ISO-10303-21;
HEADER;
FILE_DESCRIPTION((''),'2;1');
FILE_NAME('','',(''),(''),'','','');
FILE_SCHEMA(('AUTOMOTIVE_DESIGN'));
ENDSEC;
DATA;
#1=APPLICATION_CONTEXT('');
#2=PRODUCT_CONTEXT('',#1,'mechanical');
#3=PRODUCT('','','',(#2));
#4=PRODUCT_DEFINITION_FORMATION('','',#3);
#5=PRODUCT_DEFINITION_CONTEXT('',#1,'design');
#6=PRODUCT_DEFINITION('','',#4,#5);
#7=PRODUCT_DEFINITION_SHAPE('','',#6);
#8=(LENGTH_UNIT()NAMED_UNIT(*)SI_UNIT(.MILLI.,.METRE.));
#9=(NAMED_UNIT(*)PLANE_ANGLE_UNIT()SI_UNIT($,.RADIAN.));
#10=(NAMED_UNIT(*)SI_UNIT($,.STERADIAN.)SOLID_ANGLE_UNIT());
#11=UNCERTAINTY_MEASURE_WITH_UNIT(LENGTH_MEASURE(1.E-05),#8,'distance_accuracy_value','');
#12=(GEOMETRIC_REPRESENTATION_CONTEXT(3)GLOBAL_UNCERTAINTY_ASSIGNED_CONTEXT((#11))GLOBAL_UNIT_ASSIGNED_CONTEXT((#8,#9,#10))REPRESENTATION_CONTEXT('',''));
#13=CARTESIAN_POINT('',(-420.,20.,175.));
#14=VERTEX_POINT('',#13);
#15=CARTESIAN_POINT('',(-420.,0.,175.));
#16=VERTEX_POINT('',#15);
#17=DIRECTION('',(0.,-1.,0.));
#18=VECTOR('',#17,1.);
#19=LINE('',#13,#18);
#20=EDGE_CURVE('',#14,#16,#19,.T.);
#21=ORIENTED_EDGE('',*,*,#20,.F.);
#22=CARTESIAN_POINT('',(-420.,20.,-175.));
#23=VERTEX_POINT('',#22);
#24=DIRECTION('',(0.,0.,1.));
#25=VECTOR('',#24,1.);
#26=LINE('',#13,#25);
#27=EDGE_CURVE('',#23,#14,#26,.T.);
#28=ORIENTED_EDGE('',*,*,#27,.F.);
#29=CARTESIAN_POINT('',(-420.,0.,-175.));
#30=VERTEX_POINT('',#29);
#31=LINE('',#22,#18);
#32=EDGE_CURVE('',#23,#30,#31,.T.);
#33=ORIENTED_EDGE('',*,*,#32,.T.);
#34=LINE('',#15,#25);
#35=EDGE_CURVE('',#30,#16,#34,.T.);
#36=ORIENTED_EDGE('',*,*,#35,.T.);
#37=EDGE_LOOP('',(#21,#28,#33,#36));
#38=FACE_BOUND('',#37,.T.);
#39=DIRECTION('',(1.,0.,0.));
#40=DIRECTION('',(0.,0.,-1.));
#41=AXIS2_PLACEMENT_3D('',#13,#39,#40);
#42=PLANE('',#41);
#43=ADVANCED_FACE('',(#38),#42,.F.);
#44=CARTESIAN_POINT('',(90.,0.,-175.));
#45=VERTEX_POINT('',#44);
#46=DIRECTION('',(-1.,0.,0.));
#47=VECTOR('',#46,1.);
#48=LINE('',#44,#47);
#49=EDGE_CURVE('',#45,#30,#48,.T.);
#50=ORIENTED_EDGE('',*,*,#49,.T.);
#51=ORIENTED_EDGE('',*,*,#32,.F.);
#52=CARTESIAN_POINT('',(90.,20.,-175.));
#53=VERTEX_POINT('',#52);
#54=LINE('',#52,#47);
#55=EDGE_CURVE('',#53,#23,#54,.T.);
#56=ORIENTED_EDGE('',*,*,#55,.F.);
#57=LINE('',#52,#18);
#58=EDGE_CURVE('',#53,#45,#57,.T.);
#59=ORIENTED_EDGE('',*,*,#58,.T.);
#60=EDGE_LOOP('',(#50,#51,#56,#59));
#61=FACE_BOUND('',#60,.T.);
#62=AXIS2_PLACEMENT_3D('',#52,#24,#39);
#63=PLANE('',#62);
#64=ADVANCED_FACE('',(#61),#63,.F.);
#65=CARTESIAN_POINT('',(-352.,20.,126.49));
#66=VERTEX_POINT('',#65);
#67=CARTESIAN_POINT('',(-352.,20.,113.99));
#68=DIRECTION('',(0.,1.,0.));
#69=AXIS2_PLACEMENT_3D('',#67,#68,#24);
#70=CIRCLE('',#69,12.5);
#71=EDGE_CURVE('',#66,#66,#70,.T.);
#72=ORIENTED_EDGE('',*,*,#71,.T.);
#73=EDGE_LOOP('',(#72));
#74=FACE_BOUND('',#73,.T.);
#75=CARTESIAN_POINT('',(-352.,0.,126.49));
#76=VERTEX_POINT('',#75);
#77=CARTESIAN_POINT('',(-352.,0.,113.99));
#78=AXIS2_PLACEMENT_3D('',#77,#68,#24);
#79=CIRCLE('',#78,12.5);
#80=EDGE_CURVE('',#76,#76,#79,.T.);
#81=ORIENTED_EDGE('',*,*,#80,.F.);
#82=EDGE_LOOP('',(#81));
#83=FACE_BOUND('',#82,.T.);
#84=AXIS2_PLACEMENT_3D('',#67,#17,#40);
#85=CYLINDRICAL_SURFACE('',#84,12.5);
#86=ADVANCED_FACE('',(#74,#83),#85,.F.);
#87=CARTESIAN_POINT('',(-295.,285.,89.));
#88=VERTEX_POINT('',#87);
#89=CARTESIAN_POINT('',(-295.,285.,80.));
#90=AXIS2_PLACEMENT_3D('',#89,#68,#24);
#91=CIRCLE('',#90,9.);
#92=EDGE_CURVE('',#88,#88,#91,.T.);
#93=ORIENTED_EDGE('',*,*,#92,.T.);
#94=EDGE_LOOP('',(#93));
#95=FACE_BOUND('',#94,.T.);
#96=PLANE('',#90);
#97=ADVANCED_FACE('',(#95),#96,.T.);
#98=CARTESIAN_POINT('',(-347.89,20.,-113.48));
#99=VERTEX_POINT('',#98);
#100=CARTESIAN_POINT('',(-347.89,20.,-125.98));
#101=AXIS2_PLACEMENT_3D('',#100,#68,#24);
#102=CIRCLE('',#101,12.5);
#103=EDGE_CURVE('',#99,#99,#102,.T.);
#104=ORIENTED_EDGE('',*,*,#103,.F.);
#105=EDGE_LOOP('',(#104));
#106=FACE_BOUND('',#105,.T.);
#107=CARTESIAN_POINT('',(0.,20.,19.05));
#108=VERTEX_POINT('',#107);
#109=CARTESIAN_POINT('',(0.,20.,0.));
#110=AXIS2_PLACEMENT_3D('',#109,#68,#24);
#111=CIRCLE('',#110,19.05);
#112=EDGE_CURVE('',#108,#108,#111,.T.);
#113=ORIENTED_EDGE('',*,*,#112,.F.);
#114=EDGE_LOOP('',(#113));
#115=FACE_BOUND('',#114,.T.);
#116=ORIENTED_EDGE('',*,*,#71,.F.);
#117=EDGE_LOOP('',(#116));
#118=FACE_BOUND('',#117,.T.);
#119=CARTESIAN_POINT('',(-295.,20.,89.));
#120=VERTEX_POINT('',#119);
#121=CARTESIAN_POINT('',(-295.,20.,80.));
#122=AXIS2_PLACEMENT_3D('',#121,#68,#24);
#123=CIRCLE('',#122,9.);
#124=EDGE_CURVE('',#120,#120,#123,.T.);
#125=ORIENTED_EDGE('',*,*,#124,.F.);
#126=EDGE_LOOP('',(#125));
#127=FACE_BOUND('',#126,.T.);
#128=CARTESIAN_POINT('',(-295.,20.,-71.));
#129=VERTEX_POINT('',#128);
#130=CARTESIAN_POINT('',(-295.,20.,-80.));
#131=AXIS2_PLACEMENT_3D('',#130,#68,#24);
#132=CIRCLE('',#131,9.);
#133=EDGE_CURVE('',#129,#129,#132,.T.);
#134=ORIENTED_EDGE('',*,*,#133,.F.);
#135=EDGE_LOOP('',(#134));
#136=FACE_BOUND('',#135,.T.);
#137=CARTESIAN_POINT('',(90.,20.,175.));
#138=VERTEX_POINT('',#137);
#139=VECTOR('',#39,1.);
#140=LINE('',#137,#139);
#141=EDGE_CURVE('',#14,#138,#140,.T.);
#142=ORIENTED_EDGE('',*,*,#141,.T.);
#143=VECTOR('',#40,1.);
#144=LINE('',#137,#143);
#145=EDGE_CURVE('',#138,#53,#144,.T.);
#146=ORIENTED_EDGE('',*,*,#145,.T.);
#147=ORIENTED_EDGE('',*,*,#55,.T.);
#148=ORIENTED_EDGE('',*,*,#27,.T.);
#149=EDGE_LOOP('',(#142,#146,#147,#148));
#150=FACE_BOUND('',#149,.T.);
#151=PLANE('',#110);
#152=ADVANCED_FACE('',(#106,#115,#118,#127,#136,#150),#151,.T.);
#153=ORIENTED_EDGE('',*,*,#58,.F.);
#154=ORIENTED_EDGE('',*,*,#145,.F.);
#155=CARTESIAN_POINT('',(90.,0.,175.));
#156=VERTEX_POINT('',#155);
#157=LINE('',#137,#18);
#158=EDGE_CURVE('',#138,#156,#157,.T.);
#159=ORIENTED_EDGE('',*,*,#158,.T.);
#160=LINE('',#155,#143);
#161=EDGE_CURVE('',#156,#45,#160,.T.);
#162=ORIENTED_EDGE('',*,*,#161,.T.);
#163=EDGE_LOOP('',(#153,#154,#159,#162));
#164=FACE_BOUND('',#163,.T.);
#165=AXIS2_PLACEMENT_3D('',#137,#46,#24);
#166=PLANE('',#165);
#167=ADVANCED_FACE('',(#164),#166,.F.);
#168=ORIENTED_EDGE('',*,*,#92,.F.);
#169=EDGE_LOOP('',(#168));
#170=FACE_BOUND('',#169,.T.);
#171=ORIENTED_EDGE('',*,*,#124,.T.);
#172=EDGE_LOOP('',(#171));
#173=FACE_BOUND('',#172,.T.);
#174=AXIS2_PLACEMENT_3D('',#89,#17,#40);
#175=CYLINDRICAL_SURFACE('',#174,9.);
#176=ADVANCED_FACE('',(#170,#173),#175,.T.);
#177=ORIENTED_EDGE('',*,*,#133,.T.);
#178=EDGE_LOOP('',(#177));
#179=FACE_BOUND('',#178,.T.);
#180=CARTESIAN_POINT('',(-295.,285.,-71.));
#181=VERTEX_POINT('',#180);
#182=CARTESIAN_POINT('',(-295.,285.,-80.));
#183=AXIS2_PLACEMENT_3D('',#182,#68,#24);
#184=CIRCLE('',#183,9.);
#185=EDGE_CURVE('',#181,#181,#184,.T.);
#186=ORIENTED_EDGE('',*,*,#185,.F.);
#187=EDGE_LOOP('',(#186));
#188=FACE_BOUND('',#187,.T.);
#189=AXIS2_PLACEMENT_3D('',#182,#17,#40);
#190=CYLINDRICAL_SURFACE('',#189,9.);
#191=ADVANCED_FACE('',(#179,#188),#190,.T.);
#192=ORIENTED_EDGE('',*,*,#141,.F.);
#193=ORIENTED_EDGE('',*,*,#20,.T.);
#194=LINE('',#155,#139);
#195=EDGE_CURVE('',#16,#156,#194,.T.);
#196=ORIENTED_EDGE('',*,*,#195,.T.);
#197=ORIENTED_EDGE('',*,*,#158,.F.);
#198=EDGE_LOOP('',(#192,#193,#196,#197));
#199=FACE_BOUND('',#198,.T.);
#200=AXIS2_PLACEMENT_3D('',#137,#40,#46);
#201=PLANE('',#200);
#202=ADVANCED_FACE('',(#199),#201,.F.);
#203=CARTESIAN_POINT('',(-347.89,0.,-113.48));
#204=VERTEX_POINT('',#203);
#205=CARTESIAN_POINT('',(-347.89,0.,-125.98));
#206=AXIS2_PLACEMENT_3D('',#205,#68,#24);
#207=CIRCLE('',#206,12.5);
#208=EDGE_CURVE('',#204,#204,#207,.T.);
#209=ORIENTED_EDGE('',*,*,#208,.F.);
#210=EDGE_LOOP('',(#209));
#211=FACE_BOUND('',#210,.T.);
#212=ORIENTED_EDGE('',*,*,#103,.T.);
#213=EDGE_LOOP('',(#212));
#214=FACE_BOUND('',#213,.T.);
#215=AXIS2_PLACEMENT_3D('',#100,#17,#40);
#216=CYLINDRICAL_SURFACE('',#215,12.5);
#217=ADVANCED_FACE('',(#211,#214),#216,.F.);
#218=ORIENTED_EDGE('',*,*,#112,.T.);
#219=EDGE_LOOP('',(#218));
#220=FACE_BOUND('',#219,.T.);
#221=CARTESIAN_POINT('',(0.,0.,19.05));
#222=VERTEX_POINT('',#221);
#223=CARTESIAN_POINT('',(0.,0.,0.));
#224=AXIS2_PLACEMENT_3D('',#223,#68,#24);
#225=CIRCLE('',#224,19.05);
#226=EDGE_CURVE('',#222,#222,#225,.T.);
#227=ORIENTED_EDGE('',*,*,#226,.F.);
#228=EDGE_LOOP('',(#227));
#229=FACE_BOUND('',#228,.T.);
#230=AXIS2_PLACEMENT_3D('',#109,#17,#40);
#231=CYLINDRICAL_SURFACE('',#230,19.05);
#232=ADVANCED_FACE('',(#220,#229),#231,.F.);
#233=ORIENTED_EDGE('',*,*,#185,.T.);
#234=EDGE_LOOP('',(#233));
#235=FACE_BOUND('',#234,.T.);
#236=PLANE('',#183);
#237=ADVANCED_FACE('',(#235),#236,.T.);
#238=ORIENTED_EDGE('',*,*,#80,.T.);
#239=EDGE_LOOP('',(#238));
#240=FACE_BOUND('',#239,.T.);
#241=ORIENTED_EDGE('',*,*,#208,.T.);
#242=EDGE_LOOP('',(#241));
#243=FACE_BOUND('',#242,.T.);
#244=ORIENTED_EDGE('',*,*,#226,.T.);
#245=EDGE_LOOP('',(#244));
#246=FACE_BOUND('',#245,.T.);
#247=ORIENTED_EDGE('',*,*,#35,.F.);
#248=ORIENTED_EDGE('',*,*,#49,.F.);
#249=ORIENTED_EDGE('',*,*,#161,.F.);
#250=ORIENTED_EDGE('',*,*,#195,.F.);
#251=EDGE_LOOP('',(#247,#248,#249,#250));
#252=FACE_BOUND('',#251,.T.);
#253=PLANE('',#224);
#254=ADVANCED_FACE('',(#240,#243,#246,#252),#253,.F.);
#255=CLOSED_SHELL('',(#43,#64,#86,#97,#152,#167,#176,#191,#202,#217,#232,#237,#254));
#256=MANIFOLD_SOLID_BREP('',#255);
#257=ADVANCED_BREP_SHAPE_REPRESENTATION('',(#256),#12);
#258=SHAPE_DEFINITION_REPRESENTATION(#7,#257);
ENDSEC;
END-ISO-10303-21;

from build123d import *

# Parameters (mm, degrees)
SKETCH1_W           = 510
SKETCH1_H           = 350
SKETCH1_R           = 19.05
SKETCH1_R_2         = 12.5
BOSS_EXTRUDE1_DEPTH = 20
SKETCH3_R           = 9
BOSS_EXTRUDE2_DEPTH = 265


with BuildPart() as part:
    # Sketch1 → Boss-Extrude1 (new body)
    with BuildSketch(Plane(origin=(0, 0, 0), x_dir=(1, 0, 0), z_dir=(0, 1, 0))):
        with Locations((-165, 0)):
            Rectangle(SKETCH1_W, SKETCH1_H)
        with Locations(Location((0, 0, 0), (0, 0, 270))):
            Circle(SKETCH1_R, mode=Mode.SUBTRACT)
        with Locations(Location((-347.89, 125.98, 0), (0, 0, 270))):
            Circle(SKETCH1_R_2, mode=Mode.SUBTRACT)
        with Locations(Location((-352, -113.99, 0), (0, 0, 270))):
            Circle(SKETCH1_R_2, mode=Mode.SUBTRACT)
    extrude(amount=BOSS_EXTRUDE1_DEPTH)

    # Sketch3 → Boss-Extrude2 (add)
    with BuildSketch(Plane(origin=(0, 20, 0), x_dir=(1, 0, 0), z_dir=(0, 1, 0))):
        with Locations(Location((-295, 80, 0), (0, 0, 270))):
            Circle(SKETCH3_R)
        with Locations(Location((-295, -80, 0), (0, 0, 270))):
            Circle(SKETCH3_R)
    extrude(amount=BOSS_EXTRUDE2_DEPTH)


solid = part.part
